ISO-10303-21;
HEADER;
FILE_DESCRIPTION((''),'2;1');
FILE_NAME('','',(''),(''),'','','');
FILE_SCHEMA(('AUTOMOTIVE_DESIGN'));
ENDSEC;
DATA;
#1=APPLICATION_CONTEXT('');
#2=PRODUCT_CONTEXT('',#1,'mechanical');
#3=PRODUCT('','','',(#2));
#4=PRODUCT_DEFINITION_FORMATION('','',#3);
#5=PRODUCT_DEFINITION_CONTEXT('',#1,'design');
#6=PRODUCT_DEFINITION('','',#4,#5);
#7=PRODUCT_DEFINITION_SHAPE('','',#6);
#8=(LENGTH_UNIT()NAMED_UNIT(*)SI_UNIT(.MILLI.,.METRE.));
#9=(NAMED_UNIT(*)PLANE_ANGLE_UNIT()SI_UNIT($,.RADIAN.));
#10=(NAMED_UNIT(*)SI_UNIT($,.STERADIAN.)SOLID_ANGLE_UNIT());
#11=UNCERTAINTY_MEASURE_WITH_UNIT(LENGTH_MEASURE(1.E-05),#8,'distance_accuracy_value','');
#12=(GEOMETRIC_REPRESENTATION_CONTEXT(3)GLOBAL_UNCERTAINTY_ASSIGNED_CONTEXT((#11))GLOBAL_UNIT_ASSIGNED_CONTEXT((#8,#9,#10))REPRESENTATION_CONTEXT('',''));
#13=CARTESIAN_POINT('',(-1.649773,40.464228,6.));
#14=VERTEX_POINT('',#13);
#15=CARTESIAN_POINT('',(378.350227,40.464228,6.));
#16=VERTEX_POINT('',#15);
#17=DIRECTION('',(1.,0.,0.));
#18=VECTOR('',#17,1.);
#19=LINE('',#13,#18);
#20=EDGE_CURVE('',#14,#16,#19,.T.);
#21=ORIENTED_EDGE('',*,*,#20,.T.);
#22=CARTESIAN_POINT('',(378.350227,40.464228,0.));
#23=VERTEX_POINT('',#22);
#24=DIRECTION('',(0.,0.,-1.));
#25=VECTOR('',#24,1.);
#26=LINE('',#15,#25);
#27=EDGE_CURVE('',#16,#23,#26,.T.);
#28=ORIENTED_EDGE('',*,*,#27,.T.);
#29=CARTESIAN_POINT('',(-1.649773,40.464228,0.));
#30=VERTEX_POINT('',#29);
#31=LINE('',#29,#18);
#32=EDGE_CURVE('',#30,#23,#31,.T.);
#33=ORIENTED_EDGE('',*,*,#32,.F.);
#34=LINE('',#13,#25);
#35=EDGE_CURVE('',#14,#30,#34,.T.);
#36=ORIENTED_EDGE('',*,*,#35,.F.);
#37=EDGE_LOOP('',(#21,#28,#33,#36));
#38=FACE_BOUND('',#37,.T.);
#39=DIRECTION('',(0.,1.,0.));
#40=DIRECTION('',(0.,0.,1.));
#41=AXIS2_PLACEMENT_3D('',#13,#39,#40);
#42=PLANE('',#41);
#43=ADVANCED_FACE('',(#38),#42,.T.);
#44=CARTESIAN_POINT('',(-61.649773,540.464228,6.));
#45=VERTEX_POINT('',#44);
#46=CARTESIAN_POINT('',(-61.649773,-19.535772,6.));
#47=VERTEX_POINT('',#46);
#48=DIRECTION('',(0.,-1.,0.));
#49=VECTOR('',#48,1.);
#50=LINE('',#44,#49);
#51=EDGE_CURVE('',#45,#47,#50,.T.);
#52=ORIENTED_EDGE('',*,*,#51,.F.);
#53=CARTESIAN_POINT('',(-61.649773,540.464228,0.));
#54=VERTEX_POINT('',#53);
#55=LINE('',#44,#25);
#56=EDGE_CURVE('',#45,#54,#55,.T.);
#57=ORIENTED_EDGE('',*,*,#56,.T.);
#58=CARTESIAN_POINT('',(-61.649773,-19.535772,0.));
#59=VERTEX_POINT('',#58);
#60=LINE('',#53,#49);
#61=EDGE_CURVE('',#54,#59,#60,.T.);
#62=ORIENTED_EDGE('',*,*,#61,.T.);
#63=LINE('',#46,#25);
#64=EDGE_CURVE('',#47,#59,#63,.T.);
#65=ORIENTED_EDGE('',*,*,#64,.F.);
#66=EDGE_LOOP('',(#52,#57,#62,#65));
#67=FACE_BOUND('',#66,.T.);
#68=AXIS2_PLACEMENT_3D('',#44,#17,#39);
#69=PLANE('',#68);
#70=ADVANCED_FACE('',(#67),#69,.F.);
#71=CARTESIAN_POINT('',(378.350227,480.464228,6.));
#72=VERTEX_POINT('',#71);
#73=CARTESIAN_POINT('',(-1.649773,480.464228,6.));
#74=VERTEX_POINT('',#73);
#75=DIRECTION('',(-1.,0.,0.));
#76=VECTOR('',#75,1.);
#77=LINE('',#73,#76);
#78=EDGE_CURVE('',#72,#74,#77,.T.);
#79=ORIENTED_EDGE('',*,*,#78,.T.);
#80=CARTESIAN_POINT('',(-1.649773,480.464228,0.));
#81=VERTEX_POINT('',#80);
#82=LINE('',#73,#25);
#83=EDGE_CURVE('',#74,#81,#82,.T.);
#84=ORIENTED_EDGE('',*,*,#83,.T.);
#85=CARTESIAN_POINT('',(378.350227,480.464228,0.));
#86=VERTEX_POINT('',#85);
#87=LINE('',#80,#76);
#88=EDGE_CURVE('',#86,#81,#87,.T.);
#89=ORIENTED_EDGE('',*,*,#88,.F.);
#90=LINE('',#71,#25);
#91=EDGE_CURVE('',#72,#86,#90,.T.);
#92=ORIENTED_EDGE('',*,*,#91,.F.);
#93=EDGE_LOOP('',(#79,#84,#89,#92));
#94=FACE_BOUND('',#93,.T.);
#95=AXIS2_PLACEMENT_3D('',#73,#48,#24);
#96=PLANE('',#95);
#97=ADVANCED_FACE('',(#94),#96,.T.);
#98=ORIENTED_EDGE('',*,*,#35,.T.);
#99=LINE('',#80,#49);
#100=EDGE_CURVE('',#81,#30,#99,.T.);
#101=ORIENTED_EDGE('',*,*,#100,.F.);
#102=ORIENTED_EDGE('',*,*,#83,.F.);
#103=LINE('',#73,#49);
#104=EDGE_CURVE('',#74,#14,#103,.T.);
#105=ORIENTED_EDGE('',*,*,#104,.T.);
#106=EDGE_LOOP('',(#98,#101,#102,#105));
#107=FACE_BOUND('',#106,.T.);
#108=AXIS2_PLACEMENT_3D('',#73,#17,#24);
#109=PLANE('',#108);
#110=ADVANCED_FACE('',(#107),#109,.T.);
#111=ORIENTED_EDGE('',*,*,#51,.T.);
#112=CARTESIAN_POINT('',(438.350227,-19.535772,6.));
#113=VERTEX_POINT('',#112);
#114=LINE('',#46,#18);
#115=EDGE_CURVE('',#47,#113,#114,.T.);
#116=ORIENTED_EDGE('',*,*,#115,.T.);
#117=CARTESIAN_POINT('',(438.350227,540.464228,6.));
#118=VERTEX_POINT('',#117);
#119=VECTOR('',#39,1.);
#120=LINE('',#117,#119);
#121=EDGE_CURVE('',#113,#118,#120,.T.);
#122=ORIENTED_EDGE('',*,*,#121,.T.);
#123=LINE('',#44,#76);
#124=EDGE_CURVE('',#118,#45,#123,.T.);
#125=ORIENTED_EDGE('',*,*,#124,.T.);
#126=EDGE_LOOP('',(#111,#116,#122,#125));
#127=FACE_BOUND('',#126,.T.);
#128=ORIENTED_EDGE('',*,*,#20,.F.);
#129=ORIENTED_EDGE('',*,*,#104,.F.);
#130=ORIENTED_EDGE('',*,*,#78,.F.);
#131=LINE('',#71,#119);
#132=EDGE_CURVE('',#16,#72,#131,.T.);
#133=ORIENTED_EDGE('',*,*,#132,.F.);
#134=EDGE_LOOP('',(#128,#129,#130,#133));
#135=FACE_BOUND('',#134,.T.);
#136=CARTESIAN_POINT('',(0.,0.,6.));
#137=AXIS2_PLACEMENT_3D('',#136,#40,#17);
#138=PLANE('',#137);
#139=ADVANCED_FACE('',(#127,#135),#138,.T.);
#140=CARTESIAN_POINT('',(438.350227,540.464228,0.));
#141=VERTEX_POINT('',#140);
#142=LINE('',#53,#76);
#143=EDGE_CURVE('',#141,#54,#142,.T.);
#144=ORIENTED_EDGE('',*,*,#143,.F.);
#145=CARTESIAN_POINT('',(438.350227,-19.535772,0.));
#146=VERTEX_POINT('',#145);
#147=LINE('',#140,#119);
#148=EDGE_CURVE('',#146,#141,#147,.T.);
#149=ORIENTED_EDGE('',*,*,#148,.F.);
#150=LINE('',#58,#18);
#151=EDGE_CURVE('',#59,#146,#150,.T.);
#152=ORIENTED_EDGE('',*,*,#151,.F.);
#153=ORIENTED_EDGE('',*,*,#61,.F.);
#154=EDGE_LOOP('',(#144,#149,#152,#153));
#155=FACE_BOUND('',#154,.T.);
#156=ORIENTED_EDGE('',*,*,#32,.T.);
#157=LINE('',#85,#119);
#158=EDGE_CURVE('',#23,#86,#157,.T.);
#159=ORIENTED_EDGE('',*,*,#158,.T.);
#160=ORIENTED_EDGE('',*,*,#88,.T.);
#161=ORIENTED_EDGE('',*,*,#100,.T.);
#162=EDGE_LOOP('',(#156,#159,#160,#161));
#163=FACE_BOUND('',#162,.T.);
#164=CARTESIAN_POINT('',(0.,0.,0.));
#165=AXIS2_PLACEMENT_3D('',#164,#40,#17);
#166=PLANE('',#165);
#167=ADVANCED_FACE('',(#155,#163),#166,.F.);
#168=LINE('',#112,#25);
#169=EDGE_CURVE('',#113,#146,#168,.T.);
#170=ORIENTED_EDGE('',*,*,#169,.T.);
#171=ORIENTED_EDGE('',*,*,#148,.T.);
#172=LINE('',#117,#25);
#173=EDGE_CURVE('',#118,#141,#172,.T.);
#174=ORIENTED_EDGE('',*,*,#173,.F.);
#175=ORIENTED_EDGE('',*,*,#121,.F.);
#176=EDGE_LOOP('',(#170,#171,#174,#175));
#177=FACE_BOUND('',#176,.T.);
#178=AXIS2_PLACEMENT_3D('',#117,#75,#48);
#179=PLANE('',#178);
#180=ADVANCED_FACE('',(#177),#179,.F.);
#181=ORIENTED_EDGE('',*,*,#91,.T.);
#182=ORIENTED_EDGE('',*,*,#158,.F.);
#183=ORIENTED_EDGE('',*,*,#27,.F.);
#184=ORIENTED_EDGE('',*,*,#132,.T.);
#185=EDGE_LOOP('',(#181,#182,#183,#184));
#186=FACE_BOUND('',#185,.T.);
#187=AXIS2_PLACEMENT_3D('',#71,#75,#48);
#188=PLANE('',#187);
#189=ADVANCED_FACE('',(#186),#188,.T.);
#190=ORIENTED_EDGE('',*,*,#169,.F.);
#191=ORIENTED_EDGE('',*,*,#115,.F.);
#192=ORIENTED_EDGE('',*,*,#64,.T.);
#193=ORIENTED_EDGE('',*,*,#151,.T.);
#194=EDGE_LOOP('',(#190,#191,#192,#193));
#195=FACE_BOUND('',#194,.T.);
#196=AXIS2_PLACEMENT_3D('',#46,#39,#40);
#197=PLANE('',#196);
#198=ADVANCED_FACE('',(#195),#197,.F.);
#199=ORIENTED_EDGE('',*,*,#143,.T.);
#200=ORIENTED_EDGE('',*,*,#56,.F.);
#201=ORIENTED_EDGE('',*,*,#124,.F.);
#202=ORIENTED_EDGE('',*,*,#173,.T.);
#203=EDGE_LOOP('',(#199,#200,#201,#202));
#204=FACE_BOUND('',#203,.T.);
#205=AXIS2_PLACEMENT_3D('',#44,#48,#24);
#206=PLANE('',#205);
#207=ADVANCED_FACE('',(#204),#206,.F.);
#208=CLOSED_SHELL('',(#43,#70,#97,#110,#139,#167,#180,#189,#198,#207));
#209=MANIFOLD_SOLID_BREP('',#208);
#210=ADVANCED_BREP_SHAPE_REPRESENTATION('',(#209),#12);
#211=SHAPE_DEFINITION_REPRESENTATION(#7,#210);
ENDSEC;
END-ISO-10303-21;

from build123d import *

# Parameters (mm, degrees)
SKETCH_1_W      = 500
SKETCH_1_H      = 560
SKETCH_1_W_2    = 380
SKETCH_1_H_2    = 440
EXTRUDE_1_DEPTH = 6


with BuildPart() as part:
    # Эскиз1 → Бобышка-Вытянуть1 (new body)
    with BuildSketch(Plane.XY):
        with Locations((188.350227198, 260.464227839)):
            Rectangle(SKETCH_1_W, SKETCH_1_H)
        with Locations((188.350227198, 260.464227839)):
            Rectangle(SKETCH_1_W_2, SKETCH_1_H_2, mode=Mode.SUBTRACT)
    extrude(amount=EXTRUDE_1_DEPTH)


solid = part.part
